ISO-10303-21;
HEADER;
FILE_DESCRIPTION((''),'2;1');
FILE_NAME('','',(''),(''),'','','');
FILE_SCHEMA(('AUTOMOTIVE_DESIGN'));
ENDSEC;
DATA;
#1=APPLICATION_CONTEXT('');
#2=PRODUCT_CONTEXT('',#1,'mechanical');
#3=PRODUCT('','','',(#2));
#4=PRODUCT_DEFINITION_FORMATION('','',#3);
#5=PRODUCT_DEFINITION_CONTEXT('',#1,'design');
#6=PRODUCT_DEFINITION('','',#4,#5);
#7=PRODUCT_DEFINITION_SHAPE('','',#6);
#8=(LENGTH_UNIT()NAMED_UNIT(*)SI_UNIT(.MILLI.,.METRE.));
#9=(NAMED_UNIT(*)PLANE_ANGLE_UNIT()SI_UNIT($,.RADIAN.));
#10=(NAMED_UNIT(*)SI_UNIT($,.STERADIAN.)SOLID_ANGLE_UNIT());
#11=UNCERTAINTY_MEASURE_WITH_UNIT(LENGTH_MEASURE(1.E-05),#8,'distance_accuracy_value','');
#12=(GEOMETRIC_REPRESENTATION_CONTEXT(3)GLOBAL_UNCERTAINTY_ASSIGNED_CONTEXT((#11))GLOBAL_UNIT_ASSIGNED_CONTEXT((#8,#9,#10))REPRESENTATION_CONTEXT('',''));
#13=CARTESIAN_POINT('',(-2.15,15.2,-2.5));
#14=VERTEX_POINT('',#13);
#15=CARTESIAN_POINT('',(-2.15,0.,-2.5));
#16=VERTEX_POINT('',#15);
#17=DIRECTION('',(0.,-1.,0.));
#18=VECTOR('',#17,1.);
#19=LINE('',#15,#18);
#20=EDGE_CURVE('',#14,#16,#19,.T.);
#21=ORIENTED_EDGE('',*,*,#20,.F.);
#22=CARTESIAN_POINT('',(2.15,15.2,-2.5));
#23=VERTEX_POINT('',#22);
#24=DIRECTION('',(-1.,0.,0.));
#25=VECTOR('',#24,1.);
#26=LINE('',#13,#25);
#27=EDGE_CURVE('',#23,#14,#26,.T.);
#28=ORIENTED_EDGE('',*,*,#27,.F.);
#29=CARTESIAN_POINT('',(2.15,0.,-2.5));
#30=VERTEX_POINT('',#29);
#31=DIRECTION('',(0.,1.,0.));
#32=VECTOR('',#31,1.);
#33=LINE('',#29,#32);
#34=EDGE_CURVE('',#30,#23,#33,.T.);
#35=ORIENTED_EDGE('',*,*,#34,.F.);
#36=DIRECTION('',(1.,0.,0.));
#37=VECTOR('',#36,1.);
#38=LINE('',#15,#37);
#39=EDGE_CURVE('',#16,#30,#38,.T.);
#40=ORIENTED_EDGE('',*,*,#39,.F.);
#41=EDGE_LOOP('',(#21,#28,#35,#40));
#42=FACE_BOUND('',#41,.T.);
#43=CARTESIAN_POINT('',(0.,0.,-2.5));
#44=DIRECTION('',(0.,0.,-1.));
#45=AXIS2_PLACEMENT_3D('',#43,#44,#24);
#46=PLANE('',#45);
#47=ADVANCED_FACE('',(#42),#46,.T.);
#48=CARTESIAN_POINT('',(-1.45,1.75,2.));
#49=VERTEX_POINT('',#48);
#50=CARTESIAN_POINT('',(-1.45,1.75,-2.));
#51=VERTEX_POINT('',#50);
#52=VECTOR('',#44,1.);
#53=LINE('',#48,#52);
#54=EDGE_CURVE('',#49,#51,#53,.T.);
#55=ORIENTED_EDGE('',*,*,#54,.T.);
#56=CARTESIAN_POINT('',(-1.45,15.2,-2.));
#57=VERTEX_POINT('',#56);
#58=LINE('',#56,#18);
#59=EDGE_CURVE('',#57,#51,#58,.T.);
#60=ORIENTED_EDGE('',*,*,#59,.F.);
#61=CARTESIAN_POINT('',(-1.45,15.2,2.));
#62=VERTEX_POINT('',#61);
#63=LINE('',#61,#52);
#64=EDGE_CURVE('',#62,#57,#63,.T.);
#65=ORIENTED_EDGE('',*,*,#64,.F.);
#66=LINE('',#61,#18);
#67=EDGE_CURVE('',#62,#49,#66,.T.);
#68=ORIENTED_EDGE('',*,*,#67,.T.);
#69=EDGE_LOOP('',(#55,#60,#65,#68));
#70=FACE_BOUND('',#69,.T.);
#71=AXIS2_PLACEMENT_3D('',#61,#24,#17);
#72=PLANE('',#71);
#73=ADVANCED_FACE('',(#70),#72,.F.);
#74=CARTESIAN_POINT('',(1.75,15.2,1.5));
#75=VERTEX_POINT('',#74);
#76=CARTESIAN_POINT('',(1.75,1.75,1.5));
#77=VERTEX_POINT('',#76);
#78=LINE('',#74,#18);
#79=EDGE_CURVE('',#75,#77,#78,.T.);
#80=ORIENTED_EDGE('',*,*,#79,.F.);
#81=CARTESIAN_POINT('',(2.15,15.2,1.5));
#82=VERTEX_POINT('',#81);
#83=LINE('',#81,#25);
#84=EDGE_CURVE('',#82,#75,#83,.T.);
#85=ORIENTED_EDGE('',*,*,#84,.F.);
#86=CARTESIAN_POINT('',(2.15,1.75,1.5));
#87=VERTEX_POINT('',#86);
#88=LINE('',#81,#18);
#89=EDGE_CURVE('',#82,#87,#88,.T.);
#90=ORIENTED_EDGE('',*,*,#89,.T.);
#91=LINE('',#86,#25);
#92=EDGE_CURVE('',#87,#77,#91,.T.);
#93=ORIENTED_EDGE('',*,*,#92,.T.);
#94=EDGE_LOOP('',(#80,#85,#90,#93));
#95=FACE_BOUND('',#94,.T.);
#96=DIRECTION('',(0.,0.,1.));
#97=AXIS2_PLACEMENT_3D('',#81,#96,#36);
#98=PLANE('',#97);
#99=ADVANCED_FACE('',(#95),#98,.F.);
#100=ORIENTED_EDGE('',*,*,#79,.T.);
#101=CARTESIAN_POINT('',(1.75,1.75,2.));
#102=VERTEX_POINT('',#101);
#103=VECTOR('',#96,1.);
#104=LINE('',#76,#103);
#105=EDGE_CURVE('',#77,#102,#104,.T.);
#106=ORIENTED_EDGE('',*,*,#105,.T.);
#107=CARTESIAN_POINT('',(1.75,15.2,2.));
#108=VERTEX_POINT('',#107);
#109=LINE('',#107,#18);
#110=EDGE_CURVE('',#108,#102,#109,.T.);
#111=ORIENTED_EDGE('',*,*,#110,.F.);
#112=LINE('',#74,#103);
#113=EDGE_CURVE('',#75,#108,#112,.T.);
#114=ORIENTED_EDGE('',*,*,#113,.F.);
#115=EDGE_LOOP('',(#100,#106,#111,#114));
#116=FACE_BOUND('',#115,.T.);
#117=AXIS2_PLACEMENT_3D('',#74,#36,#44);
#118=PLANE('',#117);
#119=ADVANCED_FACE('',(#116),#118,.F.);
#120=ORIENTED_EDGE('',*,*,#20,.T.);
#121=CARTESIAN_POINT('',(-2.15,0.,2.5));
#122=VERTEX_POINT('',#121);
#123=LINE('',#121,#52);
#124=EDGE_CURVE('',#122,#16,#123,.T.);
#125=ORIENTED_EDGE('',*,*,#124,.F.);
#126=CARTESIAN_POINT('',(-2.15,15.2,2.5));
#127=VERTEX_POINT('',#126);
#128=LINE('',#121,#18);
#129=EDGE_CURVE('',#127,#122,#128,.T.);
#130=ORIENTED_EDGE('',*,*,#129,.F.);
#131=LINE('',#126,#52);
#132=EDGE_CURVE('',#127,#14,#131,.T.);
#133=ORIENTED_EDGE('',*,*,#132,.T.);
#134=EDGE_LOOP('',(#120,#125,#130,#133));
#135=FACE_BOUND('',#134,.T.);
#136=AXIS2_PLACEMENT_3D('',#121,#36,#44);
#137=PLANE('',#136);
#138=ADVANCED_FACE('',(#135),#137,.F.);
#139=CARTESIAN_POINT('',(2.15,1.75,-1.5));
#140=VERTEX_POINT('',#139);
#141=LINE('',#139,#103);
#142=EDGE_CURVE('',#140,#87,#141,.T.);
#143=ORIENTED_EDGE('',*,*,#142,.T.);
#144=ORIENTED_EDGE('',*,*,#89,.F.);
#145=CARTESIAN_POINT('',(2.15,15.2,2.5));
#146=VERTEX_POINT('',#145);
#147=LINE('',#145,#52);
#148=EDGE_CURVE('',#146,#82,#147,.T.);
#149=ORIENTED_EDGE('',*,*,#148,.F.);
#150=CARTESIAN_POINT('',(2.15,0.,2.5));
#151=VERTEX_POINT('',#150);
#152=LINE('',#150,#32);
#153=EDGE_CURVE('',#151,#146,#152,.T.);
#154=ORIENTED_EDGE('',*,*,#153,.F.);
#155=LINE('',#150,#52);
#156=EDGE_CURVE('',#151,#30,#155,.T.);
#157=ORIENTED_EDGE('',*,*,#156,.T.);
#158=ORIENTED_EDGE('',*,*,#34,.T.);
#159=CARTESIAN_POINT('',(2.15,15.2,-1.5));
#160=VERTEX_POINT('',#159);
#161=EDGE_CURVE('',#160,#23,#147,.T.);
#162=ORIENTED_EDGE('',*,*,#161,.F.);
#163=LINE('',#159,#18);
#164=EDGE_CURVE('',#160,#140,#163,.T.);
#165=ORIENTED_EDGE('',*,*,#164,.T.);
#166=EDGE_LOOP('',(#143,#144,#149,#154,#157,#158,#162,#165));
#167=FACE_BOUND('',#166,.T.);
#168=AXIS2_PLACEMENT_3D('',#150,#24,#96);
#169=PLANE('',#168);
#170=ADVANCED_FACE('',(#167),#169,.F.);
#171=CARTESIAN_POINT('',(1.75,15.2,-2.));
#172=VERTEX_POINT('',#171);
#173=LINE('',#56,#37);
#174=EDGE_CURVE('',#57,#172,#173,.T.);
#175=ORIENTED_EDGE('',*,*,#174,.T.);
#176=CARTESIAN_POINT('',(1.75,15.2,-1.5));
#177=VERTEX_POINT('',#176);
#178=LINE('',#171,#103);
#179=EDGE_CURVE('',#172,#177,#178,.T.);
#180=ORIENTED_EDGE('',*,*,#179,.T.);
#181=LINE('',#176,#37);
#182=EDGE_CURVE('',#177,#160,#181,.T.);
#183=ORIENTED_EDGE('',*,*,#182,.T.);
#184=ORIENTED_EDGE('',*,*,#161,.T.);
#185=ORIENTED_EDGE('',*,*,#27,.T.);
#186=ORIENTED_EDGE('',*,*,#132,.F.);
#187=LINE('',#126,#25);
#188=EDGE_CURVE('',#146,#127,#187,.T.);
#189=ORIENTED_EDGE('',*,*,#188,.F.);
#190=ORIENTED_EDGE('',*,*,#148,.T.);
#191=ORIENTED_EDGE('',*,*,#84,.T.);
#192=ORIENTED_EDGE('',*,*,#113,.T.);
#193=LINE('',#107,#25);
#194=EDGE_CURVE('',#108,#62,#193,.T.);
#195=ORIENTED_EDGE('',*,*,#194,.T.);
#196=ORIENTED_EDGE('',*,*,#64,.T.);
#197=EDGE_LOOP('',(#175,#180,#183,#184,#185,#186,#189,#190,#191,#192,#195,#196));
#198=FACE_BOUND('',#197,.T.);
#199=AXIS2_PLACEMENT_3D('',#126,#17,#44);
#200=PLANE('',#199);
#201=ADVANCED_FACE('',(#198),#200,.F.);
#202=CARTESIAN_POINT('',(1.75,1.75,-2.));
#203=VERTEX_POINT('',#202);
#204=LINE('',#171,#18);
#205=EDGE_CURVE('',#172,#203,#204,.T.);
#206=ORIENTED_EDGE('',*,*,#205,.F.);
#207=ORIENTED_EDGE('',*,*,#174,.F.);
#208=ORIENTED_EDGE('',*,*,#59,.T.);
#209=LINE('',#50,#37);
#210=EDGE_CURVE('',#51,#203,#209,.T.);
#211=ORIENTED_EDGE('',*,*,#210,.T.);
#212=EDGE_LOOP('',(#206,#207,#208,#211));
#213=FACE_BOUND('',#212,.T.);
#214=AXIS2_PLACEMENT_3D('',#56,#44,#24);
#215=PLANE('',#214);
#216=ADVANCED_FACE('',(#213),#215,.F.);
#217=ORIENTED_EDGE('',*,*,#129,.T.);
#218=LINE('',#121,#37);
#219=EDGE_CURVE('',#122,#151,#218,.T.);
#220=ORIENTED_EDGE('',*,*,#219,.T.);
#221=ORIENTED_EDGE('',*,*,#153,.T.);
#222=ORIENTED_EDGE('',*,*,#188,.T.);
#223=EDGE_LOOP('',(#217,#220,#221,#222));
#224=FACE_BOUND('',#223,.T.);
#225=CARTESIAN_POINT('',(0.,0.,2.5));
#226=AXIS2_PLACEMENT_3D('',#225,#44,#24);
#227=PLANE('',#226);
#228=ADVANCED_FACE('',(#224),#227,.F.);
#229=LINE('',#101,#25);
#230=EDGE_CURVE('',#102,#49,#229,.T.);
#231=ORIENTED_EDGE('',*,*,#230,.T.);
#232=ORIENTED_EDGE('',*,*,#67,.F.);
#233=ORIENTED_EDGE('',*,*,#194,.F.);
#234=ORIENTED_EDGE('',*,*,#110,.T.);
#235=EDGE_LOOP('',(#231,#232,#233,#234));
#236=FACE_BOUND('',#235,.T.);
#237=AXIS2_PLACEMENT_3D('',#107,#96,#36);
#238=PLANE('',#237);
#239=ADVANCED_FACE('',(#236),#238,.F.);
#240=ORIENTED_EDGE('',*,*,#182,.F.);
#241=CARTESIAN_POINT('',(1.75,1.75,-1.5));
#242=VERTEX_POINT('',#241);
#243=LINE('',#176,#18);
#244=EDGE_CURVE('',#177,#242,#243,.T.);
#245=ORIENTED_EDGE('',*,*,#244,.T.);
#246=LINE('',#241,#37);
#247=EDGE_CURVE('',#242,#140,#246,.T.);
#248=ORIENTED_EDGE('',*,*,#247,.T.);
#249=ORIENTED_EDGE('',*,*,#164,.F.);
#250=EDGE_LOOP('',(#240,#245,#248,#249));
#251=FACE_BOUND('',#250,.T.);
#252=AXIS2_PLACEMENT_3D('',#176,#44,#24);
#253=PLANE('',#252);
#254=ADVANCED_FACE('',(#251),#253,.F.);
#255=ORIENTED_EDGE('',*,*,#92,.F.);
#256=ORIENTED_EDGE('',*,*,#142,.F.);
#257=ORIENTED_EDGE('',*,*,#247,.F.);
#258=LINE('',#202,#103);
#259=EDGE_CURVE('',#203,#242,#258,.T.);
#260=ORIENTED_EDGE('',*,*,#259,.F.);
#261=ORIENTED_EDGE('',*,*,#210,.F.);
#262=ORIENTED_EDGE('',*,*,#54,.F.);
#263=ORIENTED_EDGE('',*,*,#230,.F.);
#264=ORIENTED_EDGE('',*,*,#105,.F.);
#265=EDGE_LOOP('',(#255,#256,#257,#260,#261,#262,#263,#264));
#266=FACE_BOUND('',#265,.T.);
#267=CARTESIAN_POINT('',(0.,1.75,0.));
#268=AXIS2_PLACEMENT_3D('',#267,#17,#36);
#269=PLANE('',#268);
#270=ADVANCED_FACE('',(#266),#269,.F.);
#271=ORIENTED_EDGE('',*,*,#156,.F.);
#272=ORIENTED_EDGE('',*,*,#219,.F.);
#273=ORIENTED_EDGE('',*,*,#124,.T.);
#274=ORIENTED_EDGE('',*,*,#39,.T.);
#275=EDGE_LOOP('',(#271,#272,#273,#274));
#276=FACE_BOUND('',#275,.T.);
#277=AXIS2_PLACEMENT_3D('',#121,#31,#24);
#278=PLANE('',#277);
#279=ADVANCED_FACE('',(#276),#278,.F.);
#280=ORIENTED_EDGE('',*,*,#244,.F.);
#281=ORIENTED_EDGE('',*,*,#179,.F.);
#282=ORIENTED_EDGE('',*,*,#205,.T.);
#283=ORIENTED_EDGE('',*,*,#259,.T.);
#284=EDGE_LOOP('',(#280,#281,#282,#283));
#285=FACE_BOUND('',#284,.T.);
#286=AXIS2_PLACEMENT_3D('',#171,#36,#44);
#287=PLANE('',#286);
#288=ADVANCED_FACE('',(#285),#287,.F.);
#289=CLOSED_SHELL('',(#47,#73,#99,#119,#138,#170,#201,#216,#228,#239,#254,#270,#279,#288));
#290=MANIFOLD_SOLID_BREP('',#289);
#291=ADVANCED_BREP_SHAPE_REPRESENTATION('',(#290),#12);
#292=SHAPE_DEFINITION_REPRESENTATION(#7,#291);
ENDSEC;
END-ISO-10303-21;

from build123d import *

# Parameters (mm, degrees)
SKETCH1_W           = 4.3
SKETCH1_H           = 15.2
BOSS_EXTRUDE1_DEPTH = 2.5
CUT_EXTRUDE1_START  = -1.75
CUT_EXTRUDE1_DEPTH  = 14.45


with BuildPart() as part:
    # Sketch1 → Boss-Extrude1 (new body, symmetric)
    with BuildSketch(Plane.XY):
        with Locations((0, 7.6)):
            Rectangle(SKETCH1_W, SKETCH1_H)
    extrude(amount=BOSS_EXTRUDE1_DEPTH, both=True)

    # Sketch3 → Cut-Extrude1 (cut, through all)
    with BuildSketch(Plane(origin=(0, 0, 0), x_dir=(-1, 0, 0), z_dir=(0, -1, 0)).offset(CUT_EXTRUDE1_START)):
        Polygon((-2.15, -1.5), (-1.75, -1.5), (-1.75, -2), (1.45, -2), (1.45, 2), (-1.75, 2), (-1.75, 1.5), (-2.15, 1.5), align=None)
    extrude(amount=-CUT_EXTRUDE1_DEPTH, mode=Mode.SUBTRACT)


solid = part.part
